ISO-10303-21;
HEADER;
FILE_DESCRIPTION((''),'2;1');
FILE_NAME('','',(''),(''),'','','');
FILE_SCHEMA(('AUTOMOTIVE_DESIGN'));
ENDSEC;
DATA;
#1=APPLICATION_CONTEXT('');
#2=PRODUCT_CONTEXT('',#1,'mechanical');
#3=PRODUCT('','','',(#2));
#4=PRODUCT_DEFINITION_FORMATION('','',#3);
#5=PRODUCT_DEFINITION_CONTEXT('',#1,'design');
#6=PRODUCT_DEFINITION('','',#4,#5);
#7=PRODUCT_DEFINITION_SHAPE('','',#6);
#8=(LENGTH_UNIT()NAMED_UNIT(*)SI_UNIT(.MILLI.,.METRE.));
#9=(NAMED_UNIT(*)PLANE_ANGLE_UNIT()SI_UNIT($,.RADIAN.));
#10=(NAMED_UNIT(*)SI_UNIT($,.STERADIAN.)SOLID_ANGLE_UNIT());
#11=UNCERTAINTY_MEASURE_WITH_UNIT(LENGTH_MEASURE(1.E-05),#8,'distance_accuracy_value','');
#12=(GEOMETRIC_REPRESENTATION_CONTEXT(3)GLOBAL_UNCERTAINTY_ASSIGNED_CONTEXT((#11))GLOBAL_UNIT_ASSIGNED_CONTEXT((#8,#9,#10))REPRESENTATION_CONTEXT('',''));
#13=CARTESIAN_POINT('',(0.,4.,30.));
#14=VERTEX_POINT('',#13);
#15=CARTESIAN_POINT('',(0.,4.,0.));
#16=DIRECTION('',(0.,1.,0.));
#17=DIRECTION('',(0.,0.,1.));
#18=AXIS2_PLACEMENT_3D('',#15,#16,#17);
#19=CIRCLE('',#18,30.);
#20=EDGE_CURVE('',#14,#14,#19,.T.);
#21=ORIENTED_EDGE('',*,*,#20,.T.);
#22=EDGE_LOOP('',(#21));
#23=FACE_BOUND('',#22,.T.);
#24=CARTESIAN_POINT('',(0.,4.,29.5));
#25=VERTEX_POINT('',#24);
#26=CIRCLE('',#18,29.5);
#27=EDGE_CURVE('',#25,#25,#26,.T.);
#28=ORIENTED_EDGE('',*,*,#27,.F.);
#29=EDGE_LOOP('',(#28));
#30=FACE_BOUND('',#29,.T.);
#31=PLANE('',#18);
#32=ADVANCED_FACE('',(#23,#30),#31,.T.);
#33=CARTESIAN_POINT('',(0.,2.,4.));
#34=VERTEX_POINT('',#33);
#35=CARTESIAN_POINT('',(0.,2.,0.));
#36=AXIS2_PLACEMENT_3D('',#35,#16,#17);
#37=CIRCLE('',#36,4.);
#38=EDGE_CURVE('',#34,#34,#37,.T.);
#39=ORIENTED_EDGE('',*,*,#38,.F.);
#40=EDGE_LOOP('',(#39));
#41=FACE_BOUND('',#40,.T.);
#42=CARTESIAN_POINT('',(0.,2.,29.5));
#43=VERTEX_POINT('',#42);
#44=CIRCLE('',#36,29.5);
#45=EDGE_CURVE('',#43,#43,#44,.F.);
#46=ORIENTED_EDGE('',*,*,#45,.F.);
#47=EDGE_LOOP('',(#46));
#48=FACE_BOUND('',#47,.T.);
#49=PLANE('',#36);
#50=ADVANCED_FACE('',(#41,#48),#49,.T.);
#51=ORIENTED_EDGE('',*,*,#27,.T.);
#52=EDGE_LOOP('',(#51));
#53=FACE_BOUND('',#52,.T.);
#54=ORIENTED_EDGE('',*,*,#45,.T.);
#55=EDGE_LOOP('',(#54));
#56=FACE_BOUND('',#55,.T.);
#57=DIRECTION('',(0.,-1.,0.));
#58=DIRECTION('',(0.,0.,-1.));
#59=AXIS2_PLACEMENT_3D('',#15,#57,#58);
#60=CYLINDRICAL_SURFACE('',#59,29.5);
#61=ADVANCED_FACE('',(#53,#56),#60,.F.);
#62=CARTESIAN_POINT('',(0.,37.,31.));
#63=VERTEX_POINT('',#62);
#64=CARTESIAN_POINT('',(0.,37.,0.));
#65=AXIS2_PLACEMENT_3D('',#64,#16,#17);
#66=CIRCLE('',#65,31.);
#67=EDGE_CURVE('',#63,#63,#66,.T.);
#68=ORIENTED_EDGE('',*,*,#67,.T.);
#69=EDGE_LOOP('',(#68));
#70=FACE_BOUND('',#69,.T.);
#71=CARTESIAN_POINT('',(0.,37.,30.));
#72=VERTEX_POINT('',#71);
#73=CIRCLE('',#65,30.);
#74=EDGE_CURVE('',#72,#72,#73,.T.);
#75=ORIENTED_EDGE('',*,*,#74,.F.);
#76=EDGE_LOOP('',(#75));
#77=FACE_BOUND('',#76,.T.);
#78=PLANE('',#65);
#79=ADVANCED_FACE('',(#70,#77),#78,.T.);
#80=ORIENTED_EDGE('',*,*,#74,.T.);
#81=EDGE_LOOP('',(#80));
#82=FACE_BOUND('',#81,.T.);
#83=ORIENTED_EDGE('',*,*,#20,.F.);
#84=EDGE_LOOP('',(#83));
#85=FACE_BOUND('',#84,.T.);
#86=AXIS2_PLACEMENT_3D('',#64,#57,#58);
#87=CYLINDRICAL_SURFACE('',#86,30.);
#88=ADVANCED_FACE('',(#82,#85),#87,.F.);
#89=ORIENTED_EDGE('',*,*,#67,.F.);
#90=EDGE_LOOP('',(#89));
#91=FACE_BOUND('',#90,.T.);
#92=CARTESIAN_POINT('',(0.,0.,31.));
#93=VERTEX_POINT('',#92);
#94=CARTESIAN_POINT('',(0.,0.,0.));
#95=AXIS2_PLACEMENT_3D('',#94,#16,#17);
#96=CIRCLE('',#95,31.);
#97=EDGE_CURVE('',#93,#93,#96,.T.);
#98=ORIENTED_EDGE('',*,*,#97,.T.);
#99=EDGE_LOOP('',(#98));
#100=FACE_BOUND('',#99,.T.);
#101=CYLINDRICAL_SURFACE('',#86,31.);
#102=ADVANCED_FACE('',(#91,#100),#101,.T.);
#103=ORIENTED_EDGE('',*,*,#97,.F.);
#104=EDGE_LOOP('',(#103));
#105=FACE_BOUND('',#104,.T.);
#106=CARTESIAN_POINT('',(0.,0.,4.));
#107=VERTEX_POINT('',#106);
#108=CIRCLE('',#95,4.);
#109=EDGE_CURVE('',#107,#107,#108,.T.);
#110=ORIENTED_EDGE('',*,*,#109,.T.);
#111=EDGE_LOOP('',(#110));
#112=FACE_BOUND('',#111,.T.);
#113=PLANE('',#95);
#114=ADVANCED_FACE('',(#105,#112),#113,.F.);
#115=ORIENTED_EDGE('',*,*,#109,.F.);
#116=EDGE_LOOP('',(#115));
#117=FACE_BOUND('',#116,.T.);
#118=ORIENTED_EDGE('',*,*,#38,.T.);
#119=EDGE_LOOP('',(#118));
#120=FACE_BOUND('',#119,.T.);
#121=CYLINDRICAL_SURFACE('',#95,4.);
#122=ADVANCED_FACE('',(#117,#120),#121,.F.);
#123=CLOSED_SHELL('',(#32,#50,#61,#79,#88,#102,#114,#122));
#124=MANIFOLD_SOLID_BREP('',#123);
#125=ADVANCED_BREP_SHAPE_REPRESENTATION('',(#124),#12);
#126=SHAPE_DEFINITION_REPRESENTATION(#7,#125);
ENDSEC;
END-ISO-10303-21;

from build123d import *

# Parameters (mm, degrees)
SKETCH1_R           = 31
SKETCH1_R_2         = 30
BOSS_EXTRUDE1_DEPTH = 37
SKETCH2_R           = 31
BOSS_EXTRUDE2_DEPTH = 2
SKETCH5_R           = 30
SKETCH5_R_2         = 29.5
BOSS_EXTRUDE4_DEPTH = 2
SKETCH6_R           = 4
CUT_EXTRUDE1_DEPTH  = 2


with BuildPart() as part:
    # Sketch1 → Boss-Extrude1 (new body)
    with BuildSketch(Plane(origin=(0, 0, 0), x_dir=(1, 0, 0), z_dir=(0, 1, 0))):
        with Locations(Location((0, 0, 0), (0, 0, 270))):
            Circle(SKETCH1_R)
        with Locations(Location((0, 0, 0), (0, 0, 270))):
            Circle(SKETCH1_R_2, mode=Mode.SUBTRACT)
    extrude(amount=BOSS_EXTRUDE1_DEPTH)

    # Sketch2 → Boss-Extrude2 (add)
    with BuildSketch(Plane(origin=(0, 0, 0), x_dir=(1, 0, 0), z_dir=(0, 1, 0))):
        with Locations(Location((0, 0, 0), (0, 0, 270))):
            Circle(SKETCH2_R)
    extrude(amount=BOSS_EXTRUDE2_DEPTH)

    # Sketch5 → Boss-Extrude4 (add)
    with BuildSketch(Plane(origin=(0, 2, 0), x_dir=(1, 0, 0), z_dir=(0, 1, 0))):
        with Locations(Location((0, 0, 0), (0, 0, 270))):
            Circle(SKETCH5_R)
        with Locations(Location((0, 0, 0), (0, 0, 270))):
            Circle(SKETCH5_R_2, mode=Mode.SUBTRACT)
    extrude(amount=BOSS_EXTRUDE4_DEPTH)

    # Sketch6 → Cut-Extrude1 (cut)
    with BuildSketch(Plane(origin=(0, 2, 0), x_dir=(1, 0, 0), z_dir=(0, 1, 0))):
        with Locations(Location((0, 0, 0), (0, 0, 270))):
            Circle(SKETCH6_R)
    extrude(amount=-CUT_EXTRUDE1_DEPTH, mode=Mode.SUBTRACT)


solid = part.part
